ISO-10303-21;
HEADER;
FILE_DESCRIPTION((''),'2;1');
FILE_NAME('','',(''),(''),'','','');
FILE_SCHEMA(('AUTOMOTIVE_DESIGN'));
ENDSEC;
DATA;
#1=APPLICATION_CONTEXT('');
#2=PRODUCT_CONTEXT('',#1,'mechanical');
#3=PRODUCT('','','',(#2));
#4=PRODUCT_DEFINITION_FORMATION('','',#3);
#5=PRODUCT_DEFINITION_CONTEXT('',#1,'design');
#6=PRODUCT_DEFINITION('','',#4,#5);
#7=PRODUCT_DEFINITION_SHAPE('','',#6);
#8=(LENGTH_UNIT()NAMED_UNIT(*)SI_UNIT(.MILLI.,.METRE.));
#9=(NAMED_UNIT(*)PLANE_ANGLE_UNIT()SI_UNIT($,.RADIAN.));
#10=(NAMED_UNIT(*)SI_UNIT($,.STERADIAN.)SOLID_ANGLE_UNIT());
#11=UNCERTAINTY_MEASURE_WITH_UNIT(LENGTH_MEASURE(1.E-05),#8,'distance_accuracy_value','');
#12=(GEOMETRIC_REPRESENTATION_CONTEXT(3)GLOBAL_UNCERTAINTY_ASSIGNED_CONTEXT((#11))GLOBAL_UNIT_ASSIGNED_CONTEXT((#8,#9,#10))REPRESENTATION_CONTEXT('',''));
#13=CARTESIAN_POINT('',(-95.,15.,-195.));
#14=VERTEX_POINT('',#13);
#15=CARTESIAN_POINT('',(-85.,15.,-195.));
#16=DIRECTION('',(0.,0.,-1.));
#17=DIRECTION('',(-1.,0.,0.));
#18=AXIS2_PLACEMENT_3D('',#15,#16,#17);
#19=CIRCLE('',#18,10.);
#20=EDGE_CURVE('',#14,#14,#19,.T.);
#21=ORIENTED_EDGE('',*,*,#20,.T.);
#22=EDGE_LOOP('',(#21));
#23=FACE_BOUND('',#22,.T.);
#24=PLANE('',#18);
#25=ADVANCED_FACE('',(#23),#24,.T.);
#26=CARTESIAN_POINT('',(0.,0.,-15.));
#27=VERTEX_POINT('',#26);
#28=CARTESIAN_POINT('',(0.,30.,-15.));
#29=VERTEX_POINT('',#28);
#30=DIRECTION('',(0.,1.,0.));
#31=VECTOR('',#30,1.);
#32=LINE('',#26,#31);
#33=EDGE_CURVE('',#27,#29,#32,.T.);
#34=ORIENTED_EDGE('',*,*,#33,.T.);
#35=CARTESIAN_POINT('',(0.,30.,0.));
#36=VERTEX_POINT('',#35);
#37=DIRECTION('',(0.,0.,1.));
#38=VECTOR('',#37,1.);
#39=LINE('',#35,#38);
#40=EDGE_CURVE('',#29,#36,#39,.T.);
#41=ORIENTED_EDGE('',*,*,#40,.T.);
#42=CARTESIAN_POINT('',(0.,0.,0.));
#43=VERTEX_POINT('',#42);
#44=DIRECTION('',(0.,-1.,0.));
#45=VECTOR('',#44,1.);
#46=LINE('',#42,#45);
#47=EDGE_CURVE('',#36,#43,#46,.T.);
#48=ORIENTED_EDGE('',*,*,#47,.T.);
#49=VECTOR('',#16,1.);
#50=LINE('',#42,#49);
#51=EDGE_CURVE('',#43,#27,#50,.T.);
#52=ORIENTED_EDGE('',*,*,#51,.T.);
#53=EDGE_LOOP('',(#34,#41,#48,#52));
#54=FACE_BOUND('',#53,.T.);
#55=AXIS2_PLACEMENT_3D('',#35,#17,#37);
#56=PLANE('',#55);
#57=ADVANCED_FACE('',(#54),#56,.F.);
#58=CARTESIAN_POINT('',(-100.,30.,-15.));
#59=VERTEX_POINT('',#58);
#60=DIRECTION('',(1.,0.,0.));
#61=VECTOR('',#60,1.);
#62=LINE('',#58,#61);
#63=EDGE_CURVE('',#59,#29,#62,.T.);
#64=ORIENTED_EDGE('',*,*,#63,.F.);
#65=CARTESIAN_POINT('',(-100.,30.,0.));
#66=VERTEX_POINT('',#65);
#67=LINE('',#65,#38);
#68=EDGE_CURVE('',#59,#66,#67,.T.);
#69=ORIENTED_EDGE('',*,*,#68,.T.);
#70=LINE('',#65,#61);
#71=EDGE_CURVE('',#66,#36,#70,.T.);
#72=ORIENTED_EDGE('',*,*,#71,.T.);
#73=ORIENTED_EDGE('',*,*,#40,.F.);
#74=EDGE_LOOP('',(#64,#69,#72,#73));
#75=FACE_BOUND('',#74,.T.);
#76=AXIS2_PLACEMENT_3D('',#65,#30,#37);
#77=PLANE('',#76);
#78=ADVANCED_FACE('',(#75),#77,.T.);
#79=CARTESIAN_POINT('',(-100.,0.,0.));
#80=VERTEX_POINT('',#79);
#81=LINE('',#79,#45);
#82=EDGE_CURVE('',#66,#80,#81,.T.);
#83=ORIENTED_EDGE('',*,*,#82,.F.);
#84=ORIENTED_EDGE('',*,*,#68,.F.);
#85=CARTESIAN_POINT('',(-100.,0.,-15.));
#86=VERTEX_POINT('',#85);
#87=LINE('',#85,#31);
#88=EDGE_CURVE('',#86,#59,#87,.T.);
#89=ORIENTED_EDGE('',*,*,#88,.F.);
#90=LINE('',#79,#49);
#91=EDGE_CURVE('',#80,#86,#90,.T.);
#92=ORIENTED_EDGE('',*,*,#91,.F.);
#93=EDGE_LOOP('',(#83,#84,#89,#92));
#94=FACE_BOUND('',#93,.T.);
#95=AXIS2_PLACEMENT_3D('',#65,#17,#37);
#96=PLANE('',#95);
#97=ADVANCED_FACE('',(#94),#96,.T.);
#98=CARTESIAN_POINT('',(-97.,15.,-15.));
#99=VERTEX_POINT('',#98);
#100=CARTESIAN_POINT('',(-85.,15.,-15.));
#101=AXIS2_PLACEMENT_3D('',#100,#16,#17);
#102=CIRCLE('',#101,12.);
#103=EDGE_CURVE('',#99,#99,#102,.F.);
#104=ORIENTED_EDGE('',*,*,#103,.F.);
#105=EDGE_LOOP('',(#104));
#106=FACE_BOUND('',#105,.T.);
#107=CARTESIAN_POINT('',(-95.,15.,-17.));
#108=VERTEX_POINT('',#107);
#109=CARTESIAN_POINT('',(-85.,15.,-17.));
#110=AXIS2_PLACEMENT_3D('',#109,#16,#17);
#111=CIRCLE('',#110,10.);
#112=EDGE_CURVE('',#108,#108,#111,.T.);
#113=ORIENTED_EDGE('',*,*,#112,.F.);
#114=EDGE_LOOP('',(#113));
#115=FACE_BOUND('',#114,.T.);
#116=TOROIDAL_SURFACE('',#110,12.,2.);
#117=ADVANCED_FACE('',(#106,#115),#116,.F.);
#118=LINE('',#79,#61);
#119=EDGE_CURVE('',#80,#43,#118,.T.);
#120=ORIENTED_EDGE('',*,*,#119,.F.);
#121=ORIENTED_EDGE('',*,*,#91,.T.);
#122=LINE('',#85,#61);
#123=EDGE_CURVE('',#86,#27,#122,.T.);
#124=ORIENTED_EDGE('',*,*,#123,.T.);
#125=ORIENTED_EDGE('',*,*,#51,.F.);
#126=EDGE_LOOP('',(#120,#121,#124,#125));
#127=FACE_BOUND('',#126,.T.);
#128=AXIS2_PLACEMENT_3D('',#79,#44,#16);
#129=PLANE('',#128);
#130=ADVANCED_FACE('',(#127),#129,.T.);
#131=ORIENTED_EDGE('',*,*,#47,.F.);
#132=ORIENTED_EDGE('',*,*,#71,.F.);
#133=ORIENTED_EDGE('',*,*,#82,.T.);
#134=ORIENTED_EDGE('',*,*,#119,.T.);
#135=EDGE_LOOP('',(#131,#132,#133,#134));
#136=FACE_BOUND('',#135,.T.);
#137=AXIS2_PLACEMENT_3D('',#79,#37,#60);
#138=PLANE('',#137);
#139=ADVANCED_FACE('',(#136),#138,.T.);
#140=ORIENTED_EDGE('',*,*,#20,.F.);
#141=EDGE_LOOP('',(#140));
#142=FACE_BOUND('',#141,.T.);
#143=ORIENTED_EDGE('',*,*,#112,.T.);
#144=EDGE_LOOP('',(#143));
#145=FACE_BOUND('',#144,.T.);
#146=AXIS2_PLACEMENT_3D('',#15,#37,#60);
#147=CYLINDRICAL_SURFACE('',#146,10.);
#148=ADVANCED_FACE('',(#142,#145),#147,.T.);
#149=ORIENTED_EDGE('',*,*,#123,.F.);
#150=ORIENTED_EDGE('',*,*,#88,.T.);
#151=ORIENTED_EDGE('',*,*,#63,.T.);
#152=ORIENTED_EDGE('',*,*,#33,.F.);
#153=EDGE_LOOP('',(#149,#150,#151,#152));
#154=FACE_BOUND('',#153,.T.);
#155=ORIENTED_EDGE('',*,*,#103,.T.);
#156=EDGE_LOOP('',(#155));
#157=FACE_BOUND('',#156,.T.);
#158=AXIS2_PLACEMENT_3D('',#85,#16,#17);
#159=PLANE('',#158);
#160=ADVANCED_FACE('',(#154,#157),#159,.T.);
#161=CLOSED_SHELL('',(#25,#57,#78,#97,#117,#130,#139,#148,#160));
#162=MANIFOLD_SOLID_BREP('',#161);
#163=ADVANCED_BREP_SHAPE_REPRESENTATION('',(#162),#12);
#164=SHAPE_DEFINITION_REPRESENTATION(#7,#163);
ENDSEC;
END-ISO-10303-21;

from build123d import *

# Parameters (mm, degrees)
SKETCH1_W           = 15
SKETCH1_H           = 30
BOSS_EXTRUDE1_DEPTH = 100
SKETCH2_R           = 10
BOSS_EXTRUDE2_DEPTH = 180
FILLET1_R           = 2


with BuildPart() as part:
    # Sketch1 → Boss-Extrude1 (new body)
    with BuildSketch(Plane(origin=(0, 0, 0), x_dir=(0, 0, -1), z_dir=(1, 0, 0))):
        with Locations((7.5, 15)):
            Rectangle(SKETCH1_W, SKETCH1_H)
    extrude(amount=-BOSS_EXTRUDE1_DEPTH)

    # Sketch2 → Boss-Extrude2 (add)
    with BuildSketch(Plane(origin=(0, 0, -15), x_dir=(-1, 0, 0), z_dir=(0, 0, -1))):
        with Locations((85, 15)):
            Circle(SKETCH2_R)
    extrude(amount=BOSS_EXTRUDE2_DEPTH)

    # Fillet1
    fillet1_edges = [part.edges().sort_by_distance(p)[0] for p in [
        (-75, 15, -15),
    ]]
    fillet(fillet1_edges, radius=FILLET1_R)


solid = part.part
